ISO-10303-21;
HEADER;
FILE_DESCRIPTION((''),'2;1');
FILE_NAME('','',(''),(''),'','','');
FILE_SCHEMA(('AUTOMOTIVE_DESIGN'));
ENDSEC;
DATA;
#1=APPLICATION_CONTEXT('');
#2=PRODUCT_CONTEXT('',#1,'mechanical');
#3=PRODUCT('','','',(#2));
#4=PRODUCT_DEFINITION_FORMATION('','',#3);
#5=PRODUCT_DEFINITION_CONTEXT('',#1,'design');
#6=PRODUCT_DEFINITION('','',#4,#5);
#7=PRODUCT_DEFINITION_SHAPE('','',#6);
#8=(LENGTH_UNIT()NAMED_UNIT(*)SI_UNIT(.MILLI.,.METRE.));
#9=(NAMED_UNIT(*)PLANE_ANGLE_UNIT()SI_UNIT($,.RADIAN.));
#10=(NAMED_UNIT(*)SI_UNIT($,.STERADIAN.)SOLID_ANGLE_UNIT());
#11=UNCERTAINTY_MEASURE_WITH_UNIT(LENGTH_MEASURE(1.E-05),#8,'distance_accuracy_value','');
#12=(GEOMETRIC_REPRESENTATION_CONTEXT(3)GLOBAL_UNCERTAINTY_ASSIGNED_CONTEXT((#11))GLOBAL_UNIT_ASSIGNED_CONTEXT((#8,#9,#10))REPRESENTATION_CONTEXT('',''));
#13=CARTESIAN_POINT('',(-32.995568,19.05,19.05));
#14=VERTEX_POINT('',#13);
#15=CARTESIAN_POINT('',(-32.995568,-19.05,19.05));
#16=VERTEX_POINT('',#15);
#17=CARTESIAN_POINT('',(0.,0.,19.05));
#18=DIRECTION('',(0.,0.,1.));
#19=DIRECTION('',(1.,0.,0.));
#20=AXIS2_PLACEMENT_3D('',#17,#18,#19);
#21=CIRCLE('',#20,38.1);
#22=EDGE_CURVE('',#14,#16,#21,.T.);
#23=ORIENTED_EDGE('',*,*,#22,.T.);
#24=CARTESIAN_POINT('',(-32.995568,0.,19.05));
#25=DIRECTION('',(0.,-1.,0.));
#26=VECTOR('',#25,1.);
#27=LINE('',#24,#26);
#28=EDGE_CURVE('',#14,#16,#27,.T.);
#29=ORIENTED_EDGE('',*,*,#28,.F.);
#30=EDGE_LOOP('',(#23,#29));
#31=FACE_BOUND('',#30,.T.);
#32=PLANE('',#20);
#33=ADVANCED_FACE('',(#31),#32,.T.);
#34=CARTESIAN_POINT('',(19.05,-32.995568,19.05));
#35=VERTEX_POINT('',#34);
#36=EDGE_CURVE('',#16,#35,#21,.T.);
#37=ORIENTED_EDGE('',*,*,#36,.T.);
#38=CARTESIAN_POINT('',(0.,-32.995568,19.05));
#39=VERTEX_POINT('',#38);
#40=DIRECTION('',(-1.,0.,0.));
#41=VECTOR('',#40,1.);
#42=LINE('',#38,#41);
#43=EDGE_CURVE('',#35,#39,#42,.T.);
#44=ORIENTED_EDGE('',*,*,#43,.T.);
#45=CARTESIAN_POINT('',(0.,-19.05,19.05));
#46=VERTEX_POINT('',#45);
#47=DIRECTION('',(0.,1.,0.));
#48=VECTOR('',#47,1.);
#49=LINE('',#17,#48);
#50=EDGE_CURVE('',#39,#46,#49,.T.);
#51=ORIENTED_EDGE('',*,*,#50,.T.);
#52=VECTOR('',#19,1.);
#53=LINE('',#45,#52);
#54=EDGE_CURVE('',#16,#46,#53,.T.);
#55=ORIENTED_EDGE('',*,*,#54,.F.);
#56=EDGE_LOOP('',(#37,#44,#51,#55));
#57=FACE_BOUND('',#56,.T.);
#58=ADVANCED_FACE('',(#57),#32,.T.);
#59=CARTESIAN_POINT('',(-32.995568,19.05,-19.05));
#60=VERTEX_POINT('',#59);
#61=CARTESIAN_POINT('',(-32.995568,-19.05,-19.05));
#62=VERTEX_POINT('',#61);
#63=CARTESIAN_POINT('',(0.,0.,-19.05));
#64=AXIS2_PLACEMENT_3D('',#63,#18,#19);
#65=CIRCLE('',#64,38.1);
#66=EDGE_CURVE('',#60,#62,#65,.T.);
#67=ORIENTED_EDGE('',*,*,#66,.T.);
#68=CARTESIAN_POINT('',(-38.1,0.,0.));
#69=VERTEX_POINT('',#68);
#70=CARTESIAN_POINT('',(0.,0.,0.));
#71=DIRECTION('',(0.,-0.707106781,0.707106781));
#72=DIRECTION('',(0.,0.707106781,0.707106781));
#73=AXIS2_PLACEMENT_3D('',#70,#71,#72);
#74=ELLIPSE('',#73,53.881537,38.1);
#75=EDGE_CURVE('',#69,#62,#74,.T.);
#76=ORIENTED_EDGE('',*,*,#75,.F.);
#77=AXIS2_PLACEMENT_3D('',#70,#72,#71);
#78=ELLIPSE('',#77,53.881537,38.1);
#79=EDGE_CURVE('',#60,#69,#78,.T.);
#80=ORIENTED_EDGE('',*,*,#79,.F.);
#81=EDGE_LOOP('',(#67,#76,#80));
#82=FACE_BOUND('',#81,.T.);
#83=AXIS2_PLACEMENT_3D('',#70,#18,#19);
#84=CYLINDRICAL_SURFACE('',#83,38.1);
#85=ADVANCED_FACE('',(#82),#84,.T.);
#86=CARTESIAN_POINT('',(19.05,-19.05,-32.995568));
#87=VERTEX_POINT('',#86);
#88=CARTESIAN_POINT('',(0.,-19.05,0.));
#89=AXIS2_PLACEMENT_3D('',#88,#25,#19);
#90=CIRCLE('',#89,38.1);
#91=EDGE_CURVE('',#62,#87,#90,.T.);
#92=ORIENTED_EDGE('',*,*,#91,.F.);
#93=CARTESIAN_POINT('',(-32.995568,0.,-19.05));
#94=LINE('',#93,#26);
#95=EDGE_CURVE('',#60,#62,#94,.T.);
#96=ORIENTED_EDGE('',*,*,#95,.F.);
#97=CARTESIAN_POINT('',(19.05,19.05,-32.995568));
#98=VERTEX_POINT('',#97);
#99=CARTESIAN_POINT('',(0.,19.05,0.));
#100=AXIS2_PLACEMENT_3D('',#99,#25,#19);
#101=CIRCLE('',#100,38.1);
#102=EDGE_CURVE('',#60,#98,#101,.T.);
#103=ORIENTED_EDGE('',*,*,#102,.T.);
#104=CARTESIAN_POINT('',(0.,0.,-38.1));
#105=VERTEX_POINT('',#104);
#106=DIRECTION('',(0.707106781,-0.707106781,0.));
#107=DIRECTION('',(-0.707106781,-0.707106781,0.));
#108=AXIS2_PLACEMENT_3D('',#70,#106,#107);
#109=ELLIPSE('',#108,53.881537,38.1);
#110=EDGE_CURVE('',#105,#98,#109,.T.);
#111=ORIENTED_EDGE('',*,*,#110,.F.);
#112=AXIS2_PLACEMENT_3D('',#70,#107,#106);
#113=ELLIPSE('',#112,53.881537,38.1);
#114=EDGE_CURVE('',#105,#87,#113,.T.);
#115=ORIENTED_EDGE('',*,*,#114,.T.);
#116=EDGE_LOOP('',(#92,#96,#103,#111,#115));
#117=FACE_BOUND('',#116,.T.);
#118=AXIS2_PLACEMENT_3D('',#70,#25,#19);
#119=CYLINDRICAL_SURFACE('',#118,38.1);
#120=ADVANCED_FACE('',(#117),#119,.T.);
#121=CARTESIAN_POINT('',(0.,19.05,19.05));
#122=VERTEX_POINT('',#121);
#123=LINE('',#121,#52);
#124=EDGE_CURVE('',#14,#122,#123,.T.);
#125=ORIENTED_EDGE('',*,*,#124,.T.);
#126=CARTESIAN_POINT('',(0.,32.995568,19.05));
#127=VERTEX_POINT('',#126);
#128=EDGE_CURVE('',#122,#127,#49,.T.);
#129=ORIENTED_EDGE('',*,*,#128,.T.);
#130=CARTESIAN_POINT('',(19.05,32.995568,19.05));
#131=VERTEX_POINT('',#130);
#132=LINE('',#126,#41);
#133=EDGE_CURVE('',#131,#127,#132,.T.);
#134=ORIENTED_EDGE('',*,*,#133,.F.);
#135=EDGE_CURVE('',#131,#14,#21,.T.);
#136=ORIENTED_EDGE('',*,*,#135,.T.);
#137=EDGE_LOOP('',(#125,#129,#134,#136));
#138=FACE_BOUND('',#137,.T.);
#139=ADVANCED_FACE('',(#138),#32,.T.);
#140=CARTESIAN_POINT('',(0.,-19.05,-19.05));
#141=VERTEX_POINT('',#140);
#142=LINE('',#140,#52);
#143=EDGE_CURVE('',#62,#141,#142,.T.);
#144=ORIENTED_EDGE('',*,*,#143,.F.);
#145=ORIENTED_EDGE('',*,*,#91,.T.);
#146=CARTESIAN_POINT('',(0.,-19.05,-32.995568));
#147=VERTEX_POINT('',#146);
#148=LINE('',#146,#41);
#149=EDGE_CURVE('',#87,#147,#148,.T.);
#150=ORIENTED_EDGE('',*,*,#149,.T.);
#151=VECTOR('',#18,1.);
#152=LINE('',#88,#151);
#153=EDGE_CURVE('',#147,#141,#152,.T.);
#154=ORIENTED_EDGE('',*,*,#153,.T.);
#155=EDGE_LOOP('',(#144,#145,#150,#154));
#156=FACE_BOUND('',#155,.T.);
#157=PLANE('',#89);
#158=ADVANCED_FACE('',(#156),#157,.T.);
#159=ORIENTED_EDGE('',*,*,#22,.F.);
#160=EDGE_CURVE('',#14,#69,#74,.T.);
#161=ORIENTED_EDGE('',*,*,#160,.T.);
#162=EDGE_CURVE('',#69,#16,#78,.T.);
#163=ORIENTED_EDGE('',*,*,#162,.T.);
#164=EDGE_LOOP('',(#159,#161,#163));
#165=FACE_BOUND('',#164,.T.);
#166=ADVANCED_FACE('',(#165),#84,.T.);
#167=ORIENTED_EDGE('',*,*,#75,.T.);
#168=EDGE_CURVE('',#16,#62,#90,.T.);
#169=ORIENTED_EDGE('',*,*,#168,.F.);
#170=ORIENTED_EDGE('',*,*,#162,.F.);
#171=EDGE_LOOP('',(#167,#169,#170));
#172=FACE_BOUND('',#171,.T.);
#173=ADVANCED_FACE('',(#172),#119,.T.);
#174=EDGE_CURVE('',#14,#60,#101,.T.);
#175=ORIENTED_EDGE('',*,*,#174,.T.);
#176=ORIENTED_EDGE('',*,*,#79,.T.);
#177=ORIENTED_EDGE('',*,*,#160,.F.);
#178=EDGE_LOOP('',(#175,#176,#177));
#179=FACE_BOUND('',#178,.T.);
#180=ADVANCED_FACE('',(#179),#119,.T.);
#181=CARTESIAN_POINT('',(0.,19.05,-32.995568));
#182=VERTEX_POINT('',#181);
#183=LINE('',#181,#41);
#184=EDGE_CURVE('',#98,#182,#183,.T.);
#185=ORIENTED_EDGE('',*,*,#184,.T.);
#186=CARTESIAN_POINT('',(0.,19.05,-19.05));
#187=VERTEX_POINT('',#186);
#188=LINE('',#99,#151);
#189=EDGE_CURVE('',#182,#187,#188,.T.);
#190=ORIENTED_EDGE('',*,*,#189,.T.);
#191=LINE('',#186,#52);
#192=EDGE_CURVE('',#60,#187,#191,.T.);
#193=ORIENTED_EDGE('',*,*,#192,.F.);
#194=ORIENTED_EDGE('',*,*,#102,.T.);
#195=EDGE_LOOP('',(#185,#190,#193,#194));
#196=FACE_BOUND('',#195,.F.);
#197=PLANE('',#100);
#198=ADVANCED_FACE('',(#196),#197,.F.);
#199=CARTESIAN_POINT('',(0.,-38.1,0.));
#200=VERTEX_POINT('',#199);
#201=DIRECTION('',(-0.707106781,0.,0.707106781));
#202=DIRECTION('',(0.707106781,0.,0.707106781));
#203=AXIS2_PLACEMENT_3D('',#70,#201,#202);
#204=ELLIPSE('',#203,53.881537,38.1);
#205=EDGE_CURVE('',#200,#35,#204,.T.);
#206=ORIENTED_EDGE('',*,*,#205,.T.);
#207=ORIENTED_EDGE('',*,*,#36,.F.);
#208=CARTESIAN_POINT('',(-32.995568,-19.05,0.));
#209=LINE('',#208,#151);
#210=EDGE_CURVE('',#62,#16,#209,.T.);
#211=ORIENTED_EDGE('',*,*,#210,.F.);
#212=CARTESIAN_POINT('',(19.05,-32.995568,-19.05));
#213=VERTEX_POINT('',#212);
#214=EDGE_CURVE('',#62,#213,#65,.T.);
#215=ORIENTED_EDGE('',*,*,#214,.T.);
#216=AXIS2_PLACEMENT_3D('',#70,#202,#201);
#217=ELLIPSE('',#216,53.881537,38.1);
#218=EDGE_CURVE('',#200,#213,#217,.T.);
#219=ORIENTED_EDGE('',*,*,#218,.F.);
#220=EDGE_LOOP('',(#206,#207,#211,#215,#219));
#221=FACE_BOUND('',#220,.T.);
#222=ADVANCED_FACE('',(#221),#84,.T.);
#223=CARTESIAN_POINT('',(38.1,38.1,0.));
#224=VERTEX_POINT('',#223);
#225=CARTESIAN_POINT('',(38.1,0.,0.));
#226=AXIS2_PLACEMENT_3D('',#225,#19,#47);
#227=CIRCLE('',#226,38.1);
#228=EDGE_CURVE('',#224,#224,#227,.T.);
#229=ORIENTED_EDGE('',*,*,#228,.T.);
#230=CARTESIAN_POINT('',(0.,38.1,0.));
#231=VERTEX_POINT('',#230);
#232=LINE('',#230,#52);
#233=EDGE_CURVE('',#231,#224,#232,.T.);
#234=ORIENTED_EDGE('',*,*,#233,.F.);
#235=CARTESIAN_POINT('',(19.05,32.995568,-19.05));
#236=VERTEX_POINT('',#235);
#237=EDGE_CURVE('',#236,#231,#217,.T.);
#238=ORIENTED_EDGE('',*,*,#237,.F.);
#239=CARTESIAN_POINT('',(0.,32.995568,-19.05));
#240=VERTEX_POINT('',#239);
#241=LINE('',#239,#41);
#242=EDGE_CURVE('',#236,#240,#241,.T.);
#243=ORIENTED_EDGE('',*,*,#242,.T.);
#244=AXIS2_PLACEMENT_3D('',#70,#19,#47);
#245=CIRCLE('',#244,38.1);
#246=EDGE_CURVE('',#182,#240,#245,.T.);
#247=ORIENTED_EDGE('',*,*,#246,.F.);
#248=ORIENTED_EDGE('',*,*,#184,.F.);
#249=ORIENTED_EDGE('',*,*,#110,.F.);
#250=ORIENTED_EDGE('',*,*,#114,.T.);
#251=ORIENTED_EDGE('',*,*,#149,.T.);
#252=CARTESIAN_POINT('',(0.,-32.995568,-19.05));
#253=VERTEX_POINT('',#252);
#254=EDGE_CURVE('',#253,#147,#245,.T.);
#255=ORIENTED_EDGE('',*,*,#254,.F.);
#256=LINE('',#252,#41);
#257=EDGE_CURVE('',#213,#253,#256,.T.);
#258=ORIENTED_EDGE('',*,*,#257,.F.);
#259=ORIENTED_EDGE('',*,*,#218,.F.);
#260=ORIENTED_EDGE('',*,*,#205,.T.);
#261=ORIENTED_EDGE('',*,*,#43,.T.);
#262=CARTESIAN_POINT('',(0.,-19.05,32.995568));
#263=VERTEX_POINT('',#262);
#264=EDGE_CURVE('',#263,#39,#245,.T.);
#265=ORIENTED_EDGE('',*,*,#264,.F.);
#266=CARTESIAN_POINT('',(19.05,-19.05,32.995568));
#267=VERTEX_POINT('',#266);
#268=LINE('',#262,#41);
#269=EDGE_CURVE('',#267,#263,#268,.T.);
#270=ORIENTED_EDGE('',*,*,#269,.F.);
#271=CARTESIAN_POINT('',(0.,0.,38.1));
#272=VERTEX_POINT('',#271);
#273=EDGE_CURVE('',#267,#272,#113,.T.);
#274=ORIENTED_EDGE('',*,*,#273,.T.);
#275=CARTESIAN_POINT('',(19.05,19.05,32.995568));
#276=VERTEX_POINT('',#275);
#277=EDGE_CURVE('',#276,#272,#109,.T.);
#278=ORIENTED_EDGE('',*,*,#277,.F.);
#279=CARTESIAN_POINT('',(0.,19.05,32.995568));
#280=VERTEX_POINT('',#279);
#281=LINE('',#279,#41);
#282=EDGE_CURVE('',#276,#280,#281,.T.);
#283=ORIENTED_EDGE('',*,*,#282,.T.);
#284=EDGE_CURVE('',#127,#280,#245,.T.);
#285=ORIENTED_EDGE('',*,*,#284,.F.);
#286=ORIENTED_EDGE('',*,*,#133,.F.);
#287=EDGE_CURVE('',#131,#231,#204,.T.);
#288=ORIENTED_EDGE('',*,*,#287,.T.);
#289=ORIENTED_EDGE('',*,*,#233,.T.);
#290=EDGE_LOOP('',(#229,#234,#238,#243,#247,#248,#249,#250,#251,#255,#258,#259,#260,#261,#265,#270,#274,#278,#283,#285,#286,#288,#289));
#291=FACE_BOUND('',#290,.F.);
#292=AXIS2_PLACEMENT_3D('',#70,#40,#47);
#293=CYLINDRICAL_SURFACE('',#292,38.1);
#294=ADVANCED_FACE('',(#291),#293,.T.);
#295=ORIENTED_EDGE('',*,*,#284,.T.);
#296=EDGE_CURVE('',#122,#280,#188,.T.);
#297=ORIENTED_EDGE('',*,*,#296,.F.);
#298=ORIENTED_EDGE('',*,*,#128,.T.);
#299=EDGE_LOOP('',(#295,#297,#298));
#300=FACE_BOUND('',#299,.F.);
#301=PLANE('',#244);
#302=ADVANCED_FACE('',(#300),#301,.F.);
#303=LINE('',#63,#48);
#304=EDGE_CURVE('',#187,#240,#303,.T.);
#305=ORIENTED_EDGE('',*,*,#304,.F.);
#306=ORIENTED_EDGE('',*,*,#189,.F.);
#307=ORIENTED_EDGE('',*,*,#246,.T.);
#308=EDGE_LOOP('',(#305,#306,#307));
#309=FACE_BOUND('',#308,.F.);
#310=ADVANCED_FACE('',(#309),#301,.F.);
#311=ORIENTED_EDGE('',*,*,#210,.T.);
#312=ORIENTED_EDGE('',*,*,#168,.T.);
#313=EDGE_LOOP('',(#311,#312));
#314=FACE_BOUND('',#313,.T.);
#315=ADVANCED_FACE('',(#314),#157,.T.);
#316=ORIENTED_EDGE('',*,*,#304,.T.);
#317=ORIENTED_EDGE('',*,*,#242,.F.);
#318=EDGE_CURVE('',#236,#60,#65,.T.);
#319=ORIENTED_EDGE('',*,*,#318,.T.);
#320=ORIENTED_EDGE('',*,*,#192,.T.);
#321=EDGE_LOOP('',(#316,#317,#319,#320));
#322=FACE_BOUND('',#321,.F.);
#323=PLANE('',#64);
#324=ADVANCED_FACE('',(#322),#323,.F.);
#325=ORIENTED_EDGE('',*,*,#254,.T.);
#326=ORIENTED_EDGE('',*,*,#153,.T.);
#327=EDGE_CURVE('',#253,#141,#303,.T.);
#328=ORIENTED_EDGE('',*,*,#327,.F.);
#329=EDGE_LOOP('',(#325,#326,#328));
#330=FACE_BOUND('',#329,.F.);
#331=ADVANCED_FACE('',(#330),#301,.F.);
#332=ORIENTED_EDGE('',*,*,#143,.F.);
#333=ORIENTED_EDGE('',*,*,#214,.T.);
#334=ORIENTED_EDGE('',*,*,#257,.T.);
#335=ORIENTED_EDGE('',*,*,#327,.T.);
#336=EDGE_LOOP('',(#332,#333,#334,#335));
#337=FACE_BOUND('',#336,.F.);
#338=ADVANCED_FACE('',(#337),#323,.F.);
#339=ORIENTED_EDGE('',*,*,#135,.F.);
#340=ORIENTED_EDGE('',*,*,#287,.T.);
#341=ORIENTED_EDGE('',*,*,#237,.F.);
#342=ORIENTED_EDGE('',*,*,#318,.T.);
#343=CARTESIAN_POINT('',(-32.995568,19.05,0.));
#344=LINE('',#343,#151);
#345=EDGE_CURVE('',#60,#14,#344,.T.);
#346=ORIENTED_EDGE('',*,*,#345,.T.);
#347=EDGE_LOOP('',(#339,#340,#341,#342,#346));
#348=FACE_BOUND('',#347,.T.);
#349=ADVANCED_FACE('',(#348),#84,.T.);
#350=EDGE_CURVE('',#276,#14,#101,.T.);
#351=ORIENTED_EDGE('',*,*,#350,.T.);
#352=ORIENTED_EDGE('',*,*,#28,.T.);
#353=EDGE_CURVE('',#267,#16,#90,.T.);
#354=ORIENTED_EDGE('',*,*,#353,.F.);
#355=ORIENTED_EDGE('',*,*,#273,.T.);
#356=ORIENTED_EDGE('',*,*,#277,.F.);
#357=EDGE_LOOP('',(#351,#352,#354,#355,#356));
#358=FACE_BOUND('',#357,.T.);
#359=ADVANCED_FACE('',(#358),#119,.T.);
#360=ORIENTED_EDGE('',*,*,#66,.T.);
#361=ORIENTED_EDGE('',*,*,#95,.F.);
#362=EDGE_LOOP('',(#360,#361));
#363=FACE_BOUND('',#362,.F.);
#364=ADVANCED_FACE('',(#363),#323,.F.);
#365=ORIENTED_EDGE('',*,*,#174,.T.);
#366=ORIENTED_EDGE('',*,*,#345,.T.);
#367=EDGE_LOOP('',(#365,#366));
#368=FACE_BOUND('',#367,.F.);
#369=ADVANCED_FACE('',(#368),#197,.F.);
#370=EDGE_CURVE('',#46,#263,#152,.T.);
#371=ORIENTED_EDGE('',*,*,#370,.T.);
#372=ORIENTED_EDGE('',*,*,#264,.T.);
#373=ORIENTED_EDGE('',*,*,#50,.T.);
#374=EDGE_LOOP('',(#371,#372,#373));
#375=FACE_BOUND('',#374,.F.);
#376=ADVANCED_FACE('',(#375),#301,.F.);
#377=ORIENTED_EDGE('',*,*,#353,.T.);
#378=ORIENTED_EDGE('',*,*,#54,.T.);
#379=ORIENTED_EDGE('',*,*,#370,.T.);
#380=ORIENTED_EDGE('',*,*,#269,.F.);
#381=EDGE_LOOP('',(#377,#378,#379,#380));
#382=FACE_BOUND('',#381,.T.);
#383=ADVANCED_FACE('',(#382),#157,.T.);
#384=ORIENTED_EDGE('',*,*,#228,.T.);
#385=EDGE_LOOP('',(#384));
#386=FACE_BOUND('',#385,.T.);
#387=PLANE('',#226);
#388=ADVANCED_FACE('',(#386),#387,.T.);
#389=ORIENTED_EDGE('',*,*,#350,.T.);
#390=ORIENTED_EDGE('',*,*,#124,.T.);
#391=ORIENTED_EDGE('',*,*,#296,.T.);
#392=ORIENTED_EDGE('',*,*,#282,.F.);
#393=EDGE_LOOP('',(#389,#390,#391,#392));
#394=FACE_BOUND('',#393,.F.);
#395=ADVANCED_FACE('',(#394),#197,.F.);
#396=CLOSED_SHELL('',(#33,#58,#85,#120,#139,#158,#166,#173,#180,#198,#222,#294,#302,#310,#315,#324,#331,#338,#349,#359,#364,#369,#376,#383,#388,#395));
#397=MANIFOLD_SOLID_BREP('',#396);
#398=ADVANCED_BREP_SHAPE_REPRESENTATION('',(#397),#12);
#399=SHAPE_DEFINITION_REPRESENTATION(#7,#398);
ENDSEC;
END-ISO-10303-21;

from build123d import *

# Parameters (mm, degrees)
F1_R     = 38.1
F3_DEPTH = 19.05
F0_R     = 38.1
F4_DEPTH = 19.05
F2_R     = 38.1
F5_DEPTH = 38.1


with BuildPart() as f3:
    # F1 (on Top) → F3 (new body, symmetric)
    with BuildSketch(Plane.XY):
        Circle(F1_R)
    extrude(amount=F3_DEPTH, both=True)

    # F0 (on Front) → F4 (join, symmetric)
    with BuildSketch(Plane.XZ):
        Circle(F0_R)
    extrude(amount=F4_DEPTH, both=True)

    # F2 (on Right) → F5 (join)
    with BuildSketch(Plane.YZ):
        Circle(F2_R)
    extrude(amount=F5_DEPTH)


solid = f3.part
